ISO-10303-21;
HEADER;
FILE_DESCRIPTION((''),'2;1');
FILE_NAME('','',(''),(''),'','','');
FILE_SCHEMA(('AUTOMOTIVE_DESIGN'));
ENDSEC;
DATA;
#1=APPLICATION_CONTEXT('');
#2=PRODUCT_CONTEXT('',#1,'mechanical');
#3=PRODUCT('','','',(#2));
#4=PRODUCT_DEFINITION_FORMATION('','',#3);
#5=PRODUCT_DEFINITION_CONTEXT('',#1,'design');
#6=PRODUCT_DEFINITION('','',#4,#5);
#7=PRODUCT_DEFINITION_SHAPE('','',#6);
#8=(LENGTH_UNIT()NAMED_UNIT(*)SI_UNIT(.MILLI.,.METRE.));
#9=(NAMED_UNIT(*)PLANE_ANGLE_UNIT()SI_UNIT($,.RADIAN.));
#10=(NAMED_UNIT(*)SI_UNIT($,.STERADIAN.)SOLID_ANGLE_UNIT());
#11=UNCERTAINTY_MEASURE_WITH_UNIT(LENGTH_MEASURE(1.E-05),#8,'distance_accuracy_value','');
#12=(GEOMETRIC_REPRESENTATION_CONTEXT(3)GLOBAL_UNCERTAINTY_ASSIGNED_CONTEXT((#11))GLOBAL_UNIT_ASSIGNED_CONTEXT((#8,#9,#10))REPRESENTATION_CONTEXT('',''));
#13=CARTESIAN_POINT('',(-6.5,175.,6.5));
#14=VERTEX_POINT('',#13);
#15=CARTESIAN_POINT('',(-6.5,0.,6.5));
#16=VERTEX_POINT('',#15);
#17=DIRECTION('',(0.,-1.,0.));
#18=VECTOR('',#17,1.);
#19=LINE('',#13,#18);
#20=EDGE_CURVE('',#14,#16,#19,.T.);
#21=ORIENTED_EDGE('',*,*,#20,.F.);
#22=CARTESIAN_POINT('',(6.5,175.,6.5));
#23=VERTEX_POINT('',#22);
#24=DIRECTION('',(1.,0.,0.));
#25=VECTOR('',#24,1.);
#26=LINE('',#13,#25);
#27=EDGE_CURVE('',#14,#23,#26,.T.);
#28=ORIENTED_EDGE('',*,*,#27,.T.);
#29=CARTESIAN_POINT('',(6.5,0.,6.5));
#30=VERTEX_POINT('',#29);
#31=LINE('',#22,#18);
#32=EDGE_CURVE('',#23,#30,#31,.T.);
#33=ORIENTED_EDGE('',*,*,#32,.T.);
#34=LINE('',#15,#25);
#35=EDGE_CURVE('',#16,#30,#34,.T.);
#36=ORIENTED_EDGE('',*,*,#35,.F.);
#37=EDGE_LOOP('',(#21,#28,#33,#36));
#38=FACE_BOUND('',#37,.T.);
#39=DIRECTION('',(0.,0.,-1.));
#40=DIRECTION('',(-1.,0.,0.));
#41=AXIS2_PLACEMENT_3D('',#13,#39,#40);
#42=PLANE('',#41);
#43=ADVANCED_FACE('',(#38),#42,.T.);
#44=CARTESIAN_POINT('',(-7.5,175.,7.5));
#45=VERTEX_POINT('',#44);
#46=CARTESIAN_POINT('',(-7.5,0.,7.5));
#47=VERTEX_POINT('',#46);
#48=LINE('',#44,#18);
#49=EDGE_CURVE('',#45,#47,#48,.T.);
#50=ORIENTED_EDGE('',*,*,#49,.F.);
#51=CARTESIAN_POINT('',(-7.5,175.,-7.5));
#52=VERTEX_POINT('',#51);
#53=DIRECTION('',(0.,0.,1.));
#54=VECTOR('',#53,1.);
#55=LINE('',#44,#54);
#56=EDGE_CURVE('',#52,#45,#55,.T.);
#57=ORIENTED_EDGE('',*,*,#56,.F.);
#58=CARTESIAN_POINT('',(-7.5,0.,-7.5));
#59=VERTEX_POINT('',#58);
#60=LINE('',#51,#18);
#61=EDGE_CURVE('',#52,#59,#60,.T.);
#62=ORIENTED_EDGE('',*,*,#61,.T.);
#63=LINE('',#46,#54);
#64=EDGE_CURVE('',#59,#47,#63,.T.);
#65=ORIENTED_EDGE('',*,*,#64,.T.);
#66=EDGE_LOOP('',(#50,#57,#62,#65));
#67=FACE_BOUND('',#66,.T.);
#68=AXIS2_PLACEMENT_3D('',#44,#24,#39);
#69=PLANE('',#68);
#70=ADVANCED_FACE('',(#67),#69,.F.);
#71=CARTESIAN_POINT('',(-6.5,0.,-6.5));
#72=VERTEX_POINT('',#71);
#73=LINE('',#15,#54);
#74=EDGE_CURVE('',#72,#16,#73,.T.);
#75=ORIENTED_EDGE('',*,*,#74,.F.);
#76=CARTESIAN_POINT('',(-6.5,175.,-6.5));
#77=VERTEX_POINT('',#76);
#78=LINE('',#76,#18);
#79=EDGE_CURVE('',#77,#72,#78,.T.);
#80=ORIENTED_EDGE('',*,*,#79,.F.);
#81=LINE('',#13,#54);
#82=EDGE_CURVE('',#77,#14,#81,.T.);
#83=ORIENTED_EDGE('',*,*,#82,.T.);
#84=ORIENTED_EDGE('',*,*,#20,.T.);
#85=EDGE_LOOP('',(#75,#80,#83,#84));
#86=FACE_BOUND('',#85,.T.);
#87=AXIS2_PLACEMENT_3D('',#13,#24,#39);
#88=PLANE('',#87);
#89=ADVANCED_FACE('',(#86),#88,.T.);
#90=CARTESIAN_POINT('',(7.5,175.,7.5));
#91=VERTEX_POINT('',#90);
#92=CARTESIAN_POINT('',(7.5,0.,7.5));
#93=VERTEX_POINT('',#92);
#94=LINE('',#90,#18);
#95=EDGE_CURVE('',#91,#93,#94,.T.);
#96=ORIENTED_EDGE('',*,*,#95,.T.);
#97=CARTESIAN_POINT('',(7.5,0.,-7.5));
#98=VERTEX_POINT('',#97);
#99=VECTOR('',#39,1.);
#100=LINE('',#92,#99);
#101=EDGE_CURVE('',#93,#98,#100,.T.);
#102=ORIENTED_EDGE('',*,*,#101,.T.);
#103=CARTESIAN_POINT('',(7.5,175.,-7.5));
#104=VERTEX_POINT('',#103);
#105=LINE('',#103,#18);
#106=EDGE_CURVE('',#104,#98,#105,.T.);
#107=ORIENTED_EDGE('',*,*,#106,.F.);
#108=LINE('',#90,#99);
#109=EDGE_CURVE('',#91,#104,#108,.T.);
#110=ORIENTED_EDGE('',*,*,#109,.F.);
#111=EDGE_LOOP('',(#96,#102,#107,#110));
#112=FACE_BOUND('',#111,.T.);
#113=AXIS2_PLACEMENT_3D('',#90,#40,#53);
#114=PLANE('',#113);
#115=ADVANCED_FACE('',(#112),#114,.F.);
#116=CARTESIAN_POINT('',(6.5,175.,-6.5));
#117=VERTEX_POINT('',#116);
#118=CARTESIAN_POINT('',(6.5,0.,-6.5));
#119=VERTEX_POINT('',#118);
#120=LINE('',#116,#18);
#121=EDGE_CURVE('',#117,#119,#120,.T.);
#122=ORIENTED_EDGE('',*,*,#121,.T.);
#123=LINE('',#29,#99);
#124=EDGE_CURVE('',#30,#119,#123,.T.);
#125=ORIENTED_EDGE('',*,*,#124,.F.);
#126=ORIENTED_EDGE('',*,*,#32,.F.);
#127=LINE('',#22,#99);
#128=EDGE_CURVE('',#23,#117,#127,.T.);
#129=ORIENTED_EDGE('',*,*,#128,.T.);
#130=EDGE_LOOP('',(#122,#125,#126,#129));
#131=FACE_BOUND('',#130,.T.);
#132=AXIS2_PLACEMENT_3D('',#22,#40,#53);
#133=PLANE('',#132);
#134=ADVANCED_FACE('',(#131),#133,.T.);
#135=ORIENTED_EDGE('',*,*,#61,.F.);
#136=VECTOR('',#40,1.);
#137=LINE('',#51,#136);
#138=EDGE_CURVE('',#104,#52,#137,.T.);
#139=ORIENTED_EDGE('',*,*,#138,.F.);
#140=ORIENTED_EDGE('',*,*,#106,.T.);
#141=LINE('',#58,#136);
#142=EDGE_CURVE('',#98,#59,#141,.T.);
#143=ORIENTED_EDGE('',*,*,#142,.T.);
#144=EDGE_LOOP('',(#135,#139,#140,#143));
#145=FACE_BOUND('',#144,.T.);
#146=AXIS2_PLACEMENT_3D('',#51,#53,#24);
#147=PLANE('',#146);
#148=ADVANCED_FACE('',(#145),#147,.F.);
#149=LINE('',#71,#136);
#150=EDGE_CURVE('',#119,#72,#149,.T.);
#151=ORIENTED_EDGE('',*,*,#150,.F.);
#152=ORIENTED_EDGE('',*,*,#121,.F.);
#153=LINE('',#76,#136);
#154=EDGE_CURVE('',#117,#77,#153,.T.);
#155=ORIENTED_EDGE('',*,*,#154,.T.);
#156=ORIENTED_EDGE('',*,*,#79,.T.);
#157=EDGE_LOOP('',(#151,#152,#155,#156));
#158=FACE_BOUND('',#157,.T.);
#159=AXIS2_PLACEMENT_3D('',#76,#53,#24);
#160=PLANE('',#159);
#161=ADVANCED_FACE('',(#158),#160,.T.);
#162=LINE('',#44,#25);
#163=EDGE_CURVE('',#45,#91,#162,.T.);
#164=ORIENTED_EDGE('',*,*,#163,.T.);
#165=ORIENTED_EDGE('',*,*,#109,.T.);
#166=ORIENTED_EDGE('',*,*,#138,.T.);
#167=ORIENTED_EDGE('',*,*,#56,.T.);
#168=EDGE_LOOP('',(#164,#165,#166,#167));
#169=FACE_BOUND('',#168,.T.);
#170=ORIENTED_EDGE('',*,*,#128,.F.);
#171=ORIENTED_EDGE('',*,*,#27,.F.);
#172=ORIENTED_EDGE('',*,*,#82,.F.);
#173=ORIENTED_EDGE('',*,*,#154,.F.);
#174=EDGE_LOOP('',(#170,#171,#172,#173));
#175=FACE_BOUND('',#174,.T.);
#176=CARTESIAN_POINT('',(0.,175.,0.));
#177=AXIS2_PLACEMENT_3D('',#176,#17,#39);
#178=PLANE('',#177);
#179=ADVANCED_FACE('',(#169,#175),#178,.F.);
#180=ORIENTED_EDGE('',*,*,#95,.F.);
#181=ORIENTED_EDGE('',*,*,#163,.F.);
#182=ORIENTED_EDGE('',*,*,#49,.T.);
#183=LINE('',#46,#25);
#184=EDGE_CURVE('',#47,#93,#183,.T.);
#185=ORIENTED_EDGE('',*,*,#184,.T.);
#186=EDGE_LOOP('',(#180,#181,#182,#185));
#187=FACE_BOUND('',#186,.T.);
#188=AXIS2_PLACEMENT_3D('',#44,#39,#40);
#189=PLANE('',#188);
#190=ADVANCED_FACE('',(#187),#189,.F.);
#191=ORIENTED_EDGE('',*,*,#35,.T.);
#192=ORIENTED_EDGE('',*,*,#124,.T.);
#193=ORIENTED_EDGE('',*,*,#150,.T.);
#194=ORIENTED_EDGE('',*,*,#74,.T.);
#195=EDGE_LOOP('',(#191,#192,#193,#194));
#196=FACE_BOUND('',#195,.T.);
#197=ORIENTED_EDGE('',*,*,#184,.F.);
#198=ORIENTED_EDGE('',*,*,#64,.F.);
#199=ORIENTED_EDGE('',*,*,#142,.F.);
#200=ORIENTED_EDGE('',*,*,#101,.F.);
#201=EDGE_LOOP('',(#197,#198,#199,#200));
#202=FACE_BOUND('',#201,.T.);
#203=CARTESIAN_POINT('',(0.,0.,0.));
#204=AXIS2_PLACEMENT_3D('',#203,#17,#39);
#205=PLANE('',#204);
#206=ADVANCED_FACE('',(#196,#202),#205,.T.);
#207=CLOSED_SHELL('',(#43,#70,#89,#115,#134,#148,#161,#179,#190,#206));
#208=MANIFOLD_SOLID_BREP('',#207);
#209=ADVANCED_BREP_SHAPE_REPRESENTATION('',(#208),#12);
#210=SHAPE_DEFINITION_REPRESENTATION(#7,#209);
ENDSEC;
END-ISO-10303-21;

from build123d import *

# Parameters (mm, degrees)
SKETCH1_W           = 15
SKETCH1_H           = 15
SKETCH1_W_2         = 13
SKETCH1_H_2         = 13
BOSS_EXTRUDE1_DEPTH = 175


with BuildPart() as part:
    # Sketch1 → Boss-Extrude1 (new body)
    with BuildSketch(Plane(origin=(0, 0, 0), x_dir=(1, 0, 0), z_dir=(0, 1, 0))):
        Rectangle(SKETCH1_W, SKETCH1_H)
        Rectangle(SKETCH1_W_2, SKETCH1_H_2, mode=Mode.SUBTRACT)
    extrude(amount=BOSS_EXTRUDE1_DEPTH)


solid = part.part
